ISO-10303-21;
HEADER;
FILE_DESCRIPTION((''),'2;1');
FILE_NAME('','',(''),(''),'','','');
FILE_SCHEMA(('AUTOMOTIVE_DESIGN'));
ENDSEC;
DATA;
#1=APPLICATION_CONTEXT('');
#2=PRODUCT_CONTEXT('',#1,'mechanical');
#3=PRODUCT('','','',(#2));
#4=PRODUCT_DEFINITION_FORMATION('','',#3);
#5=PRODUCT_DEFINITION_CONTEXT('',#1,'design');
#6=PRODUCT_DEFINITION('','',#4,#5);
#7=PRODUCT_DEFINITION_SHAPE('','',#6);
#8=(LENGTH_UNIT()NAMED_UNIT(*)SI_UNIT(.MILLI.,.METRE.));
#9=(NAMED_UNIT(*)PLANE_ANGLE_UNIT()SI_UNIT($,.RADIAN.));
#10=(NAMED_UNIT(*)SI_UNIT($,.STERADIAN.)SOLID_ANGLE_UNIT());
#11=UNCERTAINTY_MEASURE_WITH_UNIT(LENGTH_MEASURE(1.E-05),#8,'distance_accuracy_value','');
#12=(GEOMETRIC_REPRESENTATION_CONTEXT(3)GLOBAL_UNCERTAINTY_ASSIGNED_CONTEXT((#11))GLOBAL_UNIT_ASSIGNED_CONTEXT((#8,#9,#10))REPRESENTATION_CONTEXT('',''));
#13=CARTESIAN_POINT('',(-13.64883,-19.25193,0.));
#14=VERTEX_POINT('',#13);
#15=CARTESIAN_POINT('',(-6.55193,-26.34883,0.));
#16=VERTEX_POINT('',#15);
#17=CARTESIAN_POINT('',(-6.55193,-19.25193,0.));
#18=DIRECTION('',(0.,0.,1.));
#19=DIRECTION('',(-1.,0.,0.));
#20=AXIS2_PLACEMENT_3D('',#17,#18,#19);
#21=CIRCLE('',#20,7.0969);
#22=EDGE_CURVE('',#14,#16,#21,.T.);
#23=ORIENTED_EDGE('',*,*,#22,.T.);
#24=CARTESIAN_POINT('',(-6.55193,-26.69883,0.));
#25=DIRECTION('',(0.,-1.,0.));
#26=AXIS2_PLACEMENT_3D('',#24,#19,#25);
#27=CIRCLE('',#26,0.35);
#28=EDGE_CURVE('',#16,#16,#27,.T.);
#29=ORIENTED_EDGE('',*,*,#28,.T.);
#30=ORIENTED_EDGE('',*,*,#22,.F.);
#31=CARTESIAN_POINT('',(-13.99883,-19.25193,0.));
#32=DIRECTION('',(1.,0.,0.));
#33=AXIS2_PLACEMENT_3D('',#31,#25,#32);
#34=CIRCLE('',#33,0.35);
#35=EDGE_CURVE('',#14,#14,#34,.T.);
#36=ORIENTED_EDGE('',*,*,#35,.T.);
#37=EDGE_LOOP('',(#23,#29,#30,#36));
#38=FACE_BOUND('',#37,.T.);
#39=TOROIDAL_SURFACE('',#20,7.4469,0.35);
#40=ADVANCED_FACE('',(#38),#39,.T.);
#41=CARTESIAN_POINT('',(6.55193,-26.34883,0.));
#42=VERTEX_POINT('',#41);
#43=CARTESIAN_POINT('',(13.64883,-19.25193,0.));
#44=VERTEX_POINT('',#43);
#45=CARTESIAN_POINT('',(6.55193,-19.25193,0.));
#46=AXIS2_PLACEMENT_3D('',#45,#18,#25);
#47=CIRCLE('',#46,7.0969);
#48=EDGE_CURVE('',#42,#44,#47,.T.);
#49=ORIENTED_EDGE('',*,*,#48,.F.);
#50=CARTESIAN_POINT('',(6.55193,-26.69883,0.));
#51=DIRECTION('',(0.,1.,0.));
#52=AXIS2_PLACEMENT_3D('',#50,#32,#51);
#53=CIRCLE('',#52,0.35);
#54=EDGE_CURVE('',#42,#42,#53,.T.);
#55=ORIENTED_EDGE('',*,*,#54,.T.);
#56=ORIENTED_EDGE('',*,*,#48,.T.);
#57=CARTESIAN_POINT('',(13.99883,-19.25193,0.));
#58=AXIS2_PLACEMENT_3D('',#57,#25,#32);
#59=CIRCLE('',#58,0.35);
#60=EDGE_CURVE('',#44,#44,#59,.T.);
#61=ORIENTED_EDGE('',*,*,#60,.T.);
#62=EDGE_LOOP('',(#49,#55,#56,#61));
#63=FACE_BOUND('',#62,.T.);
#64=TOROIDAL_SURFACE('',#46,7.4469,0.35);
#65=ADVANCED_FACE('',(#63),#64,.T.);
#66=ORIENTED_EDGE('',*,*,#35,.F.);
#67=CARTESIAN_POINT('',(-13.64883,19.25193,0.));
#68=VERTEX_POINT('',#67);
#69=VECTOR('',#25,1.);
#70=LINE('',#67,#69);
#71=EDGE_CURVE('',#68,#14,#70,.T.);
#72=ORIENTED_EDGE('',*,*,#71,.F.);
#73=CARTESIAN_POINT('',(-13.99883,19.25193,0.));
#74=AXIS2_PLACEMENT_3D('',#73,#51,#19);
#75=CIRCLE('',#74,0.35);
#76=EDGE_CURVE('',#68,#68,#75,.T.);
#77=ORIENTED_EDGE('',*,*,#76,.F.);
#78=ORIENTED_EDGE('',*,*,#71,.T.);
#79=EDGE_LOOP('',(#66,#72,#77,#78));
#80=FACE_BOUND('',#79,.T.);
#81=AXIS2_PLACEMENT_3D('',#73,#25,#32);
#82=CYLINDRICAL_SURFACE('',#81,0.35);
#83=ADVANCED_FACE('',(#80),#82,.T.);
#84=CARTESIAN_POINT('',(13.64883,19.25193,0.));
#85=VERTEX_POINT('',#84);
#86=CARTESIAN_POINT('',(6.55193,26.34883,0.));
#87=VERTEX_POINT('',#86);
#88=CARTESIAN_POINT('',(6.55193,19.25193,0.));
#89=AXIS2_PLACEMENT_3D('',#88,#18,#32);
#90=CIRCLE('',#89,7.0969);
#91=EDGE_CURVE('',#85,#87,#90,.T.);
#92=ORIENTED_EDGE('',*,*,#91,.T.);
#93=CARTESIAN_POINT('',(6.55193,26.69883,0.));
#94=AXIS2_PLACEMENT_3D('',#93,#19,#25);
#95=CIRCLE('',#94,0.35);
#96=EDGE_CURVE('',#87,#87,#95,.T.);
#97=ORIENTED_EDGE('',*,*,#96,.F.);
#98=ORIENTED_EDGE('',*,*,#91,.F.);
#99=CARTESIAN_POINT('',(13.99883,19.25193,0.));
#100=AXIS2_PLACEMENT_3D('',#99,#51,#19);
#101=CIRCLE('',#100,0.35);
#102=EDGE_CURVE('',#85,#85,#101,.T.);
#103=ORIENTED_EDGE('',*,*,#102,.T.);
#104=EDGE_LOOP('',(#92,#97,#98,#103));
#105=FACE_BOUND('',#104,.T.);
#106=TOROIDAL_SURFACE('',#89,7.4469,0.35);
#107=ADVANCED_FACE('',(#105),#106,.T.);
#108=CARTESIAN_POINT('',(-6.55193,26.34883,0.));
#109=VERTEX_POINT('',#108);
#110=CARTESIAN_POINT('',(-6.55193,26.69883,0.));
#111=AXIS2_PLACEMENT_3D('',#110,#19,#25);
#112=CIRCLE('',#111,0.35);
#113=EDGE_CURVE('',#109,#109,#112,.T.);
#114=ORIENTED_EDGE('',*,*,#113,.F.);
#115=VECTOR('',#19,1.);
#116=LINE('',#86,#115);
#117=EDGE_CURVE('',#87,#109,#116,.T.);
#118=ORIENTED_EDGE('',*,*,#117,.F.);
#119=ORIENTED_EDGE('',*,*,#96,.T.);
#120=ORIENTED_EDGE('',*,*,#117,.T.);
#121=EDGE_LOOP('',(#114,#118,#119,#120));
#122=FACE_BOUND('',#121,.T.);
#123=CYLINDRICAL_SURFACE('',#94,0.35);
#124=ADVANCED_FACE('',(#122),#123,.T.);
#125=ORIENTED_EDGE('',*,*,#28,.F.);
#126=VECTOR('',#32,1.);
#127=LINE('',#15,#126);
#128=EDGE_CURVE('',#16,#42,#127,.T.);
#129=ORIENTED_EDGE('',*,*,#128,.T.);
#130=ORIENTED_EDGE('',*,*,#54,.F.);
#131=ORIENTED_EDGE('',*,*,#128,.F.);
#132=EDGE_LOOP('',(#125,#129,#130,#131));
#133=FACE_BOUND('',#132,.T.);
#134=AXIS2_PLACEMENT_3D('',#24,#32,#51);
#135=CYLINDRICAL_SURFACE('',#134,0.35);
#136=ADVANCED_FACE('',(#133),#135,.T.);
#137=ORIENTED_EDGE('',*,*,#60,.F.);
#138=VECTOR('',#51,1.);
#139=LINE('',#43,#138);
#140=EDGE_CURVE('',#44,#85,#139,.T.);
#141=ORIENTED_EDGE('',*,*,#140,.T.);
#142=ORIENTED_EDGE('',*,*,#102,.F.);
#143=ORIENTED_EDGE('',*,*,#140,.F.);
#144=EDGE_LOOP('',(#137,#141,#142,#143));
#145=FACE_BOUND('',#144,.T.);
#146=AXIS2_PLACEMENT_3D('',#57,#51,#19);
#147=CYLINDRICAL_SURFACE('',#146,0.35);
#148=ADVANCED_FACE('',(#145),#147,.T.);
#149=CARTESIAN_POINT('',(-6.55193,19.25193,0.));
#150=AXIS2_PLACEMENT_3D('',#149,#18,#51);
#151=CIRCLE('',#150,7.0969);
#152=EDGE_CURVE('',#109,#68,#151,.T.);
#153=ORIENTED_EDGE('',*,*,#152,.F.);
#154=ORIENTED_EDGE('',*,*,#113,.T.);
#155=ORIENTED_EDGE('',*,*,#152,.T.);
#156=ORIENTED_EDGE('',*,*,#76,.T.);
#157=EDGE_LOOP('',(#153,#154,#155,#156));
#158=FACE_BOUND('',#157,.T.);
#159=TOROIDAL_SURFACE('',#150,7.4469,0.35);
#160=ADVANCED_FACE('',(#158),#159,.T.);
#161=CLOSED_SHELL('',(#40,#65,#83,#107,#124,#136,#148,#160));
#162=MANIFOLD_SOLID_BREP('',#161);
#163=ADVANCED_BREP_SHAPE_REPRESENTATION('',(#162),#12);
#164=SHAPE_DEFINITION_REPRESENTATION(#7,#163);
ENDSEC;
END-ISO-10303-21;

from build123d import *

# Parameters (mm, degrees)
F2_R = 0.35


with BuildPart() as f3:
    # F3: sweep along a path in F0
    with BuildLine(Plane.XY) as f3_path:
        Line((6.55193, 26.69883), (-6.55193, 26.69883))
        ThreePointArc((-6.55193, 26.69883), (-11.8176834888, 24.5176834888), (-13.99883, 19.25193))
        Line((-13.99883, 19.25193), (-13.99883, -19.25193))
        ThreePointArc((-13.99883, -19.25193), (-11.8176834888, -24.5176834888), (-6.55193, -26.69883))
        Line((-6.55193, -26.69883), (6.55193, -26.69883))
        ThreePointArc((6.55193, -26.69883), (11.8176834888, -24.5176834888), (13.99883, -19.25193))
        Line((13.99883, -19.25193), (13.99883, 19.25193))
        ThreePointArc((13.99883, 19.25193), (11.8176834888, 24.5176834888), (6.55193, 26.69883))
    # F2 (on plane+point) → F3 (sweep)
    with BuildSketch(Plane.XZ.offset(19.25193)):
        with Locations((-13.99883, 0)):
            Circle(F2_R)
    sweep(path=f3_path.line)


solid = f3.part
